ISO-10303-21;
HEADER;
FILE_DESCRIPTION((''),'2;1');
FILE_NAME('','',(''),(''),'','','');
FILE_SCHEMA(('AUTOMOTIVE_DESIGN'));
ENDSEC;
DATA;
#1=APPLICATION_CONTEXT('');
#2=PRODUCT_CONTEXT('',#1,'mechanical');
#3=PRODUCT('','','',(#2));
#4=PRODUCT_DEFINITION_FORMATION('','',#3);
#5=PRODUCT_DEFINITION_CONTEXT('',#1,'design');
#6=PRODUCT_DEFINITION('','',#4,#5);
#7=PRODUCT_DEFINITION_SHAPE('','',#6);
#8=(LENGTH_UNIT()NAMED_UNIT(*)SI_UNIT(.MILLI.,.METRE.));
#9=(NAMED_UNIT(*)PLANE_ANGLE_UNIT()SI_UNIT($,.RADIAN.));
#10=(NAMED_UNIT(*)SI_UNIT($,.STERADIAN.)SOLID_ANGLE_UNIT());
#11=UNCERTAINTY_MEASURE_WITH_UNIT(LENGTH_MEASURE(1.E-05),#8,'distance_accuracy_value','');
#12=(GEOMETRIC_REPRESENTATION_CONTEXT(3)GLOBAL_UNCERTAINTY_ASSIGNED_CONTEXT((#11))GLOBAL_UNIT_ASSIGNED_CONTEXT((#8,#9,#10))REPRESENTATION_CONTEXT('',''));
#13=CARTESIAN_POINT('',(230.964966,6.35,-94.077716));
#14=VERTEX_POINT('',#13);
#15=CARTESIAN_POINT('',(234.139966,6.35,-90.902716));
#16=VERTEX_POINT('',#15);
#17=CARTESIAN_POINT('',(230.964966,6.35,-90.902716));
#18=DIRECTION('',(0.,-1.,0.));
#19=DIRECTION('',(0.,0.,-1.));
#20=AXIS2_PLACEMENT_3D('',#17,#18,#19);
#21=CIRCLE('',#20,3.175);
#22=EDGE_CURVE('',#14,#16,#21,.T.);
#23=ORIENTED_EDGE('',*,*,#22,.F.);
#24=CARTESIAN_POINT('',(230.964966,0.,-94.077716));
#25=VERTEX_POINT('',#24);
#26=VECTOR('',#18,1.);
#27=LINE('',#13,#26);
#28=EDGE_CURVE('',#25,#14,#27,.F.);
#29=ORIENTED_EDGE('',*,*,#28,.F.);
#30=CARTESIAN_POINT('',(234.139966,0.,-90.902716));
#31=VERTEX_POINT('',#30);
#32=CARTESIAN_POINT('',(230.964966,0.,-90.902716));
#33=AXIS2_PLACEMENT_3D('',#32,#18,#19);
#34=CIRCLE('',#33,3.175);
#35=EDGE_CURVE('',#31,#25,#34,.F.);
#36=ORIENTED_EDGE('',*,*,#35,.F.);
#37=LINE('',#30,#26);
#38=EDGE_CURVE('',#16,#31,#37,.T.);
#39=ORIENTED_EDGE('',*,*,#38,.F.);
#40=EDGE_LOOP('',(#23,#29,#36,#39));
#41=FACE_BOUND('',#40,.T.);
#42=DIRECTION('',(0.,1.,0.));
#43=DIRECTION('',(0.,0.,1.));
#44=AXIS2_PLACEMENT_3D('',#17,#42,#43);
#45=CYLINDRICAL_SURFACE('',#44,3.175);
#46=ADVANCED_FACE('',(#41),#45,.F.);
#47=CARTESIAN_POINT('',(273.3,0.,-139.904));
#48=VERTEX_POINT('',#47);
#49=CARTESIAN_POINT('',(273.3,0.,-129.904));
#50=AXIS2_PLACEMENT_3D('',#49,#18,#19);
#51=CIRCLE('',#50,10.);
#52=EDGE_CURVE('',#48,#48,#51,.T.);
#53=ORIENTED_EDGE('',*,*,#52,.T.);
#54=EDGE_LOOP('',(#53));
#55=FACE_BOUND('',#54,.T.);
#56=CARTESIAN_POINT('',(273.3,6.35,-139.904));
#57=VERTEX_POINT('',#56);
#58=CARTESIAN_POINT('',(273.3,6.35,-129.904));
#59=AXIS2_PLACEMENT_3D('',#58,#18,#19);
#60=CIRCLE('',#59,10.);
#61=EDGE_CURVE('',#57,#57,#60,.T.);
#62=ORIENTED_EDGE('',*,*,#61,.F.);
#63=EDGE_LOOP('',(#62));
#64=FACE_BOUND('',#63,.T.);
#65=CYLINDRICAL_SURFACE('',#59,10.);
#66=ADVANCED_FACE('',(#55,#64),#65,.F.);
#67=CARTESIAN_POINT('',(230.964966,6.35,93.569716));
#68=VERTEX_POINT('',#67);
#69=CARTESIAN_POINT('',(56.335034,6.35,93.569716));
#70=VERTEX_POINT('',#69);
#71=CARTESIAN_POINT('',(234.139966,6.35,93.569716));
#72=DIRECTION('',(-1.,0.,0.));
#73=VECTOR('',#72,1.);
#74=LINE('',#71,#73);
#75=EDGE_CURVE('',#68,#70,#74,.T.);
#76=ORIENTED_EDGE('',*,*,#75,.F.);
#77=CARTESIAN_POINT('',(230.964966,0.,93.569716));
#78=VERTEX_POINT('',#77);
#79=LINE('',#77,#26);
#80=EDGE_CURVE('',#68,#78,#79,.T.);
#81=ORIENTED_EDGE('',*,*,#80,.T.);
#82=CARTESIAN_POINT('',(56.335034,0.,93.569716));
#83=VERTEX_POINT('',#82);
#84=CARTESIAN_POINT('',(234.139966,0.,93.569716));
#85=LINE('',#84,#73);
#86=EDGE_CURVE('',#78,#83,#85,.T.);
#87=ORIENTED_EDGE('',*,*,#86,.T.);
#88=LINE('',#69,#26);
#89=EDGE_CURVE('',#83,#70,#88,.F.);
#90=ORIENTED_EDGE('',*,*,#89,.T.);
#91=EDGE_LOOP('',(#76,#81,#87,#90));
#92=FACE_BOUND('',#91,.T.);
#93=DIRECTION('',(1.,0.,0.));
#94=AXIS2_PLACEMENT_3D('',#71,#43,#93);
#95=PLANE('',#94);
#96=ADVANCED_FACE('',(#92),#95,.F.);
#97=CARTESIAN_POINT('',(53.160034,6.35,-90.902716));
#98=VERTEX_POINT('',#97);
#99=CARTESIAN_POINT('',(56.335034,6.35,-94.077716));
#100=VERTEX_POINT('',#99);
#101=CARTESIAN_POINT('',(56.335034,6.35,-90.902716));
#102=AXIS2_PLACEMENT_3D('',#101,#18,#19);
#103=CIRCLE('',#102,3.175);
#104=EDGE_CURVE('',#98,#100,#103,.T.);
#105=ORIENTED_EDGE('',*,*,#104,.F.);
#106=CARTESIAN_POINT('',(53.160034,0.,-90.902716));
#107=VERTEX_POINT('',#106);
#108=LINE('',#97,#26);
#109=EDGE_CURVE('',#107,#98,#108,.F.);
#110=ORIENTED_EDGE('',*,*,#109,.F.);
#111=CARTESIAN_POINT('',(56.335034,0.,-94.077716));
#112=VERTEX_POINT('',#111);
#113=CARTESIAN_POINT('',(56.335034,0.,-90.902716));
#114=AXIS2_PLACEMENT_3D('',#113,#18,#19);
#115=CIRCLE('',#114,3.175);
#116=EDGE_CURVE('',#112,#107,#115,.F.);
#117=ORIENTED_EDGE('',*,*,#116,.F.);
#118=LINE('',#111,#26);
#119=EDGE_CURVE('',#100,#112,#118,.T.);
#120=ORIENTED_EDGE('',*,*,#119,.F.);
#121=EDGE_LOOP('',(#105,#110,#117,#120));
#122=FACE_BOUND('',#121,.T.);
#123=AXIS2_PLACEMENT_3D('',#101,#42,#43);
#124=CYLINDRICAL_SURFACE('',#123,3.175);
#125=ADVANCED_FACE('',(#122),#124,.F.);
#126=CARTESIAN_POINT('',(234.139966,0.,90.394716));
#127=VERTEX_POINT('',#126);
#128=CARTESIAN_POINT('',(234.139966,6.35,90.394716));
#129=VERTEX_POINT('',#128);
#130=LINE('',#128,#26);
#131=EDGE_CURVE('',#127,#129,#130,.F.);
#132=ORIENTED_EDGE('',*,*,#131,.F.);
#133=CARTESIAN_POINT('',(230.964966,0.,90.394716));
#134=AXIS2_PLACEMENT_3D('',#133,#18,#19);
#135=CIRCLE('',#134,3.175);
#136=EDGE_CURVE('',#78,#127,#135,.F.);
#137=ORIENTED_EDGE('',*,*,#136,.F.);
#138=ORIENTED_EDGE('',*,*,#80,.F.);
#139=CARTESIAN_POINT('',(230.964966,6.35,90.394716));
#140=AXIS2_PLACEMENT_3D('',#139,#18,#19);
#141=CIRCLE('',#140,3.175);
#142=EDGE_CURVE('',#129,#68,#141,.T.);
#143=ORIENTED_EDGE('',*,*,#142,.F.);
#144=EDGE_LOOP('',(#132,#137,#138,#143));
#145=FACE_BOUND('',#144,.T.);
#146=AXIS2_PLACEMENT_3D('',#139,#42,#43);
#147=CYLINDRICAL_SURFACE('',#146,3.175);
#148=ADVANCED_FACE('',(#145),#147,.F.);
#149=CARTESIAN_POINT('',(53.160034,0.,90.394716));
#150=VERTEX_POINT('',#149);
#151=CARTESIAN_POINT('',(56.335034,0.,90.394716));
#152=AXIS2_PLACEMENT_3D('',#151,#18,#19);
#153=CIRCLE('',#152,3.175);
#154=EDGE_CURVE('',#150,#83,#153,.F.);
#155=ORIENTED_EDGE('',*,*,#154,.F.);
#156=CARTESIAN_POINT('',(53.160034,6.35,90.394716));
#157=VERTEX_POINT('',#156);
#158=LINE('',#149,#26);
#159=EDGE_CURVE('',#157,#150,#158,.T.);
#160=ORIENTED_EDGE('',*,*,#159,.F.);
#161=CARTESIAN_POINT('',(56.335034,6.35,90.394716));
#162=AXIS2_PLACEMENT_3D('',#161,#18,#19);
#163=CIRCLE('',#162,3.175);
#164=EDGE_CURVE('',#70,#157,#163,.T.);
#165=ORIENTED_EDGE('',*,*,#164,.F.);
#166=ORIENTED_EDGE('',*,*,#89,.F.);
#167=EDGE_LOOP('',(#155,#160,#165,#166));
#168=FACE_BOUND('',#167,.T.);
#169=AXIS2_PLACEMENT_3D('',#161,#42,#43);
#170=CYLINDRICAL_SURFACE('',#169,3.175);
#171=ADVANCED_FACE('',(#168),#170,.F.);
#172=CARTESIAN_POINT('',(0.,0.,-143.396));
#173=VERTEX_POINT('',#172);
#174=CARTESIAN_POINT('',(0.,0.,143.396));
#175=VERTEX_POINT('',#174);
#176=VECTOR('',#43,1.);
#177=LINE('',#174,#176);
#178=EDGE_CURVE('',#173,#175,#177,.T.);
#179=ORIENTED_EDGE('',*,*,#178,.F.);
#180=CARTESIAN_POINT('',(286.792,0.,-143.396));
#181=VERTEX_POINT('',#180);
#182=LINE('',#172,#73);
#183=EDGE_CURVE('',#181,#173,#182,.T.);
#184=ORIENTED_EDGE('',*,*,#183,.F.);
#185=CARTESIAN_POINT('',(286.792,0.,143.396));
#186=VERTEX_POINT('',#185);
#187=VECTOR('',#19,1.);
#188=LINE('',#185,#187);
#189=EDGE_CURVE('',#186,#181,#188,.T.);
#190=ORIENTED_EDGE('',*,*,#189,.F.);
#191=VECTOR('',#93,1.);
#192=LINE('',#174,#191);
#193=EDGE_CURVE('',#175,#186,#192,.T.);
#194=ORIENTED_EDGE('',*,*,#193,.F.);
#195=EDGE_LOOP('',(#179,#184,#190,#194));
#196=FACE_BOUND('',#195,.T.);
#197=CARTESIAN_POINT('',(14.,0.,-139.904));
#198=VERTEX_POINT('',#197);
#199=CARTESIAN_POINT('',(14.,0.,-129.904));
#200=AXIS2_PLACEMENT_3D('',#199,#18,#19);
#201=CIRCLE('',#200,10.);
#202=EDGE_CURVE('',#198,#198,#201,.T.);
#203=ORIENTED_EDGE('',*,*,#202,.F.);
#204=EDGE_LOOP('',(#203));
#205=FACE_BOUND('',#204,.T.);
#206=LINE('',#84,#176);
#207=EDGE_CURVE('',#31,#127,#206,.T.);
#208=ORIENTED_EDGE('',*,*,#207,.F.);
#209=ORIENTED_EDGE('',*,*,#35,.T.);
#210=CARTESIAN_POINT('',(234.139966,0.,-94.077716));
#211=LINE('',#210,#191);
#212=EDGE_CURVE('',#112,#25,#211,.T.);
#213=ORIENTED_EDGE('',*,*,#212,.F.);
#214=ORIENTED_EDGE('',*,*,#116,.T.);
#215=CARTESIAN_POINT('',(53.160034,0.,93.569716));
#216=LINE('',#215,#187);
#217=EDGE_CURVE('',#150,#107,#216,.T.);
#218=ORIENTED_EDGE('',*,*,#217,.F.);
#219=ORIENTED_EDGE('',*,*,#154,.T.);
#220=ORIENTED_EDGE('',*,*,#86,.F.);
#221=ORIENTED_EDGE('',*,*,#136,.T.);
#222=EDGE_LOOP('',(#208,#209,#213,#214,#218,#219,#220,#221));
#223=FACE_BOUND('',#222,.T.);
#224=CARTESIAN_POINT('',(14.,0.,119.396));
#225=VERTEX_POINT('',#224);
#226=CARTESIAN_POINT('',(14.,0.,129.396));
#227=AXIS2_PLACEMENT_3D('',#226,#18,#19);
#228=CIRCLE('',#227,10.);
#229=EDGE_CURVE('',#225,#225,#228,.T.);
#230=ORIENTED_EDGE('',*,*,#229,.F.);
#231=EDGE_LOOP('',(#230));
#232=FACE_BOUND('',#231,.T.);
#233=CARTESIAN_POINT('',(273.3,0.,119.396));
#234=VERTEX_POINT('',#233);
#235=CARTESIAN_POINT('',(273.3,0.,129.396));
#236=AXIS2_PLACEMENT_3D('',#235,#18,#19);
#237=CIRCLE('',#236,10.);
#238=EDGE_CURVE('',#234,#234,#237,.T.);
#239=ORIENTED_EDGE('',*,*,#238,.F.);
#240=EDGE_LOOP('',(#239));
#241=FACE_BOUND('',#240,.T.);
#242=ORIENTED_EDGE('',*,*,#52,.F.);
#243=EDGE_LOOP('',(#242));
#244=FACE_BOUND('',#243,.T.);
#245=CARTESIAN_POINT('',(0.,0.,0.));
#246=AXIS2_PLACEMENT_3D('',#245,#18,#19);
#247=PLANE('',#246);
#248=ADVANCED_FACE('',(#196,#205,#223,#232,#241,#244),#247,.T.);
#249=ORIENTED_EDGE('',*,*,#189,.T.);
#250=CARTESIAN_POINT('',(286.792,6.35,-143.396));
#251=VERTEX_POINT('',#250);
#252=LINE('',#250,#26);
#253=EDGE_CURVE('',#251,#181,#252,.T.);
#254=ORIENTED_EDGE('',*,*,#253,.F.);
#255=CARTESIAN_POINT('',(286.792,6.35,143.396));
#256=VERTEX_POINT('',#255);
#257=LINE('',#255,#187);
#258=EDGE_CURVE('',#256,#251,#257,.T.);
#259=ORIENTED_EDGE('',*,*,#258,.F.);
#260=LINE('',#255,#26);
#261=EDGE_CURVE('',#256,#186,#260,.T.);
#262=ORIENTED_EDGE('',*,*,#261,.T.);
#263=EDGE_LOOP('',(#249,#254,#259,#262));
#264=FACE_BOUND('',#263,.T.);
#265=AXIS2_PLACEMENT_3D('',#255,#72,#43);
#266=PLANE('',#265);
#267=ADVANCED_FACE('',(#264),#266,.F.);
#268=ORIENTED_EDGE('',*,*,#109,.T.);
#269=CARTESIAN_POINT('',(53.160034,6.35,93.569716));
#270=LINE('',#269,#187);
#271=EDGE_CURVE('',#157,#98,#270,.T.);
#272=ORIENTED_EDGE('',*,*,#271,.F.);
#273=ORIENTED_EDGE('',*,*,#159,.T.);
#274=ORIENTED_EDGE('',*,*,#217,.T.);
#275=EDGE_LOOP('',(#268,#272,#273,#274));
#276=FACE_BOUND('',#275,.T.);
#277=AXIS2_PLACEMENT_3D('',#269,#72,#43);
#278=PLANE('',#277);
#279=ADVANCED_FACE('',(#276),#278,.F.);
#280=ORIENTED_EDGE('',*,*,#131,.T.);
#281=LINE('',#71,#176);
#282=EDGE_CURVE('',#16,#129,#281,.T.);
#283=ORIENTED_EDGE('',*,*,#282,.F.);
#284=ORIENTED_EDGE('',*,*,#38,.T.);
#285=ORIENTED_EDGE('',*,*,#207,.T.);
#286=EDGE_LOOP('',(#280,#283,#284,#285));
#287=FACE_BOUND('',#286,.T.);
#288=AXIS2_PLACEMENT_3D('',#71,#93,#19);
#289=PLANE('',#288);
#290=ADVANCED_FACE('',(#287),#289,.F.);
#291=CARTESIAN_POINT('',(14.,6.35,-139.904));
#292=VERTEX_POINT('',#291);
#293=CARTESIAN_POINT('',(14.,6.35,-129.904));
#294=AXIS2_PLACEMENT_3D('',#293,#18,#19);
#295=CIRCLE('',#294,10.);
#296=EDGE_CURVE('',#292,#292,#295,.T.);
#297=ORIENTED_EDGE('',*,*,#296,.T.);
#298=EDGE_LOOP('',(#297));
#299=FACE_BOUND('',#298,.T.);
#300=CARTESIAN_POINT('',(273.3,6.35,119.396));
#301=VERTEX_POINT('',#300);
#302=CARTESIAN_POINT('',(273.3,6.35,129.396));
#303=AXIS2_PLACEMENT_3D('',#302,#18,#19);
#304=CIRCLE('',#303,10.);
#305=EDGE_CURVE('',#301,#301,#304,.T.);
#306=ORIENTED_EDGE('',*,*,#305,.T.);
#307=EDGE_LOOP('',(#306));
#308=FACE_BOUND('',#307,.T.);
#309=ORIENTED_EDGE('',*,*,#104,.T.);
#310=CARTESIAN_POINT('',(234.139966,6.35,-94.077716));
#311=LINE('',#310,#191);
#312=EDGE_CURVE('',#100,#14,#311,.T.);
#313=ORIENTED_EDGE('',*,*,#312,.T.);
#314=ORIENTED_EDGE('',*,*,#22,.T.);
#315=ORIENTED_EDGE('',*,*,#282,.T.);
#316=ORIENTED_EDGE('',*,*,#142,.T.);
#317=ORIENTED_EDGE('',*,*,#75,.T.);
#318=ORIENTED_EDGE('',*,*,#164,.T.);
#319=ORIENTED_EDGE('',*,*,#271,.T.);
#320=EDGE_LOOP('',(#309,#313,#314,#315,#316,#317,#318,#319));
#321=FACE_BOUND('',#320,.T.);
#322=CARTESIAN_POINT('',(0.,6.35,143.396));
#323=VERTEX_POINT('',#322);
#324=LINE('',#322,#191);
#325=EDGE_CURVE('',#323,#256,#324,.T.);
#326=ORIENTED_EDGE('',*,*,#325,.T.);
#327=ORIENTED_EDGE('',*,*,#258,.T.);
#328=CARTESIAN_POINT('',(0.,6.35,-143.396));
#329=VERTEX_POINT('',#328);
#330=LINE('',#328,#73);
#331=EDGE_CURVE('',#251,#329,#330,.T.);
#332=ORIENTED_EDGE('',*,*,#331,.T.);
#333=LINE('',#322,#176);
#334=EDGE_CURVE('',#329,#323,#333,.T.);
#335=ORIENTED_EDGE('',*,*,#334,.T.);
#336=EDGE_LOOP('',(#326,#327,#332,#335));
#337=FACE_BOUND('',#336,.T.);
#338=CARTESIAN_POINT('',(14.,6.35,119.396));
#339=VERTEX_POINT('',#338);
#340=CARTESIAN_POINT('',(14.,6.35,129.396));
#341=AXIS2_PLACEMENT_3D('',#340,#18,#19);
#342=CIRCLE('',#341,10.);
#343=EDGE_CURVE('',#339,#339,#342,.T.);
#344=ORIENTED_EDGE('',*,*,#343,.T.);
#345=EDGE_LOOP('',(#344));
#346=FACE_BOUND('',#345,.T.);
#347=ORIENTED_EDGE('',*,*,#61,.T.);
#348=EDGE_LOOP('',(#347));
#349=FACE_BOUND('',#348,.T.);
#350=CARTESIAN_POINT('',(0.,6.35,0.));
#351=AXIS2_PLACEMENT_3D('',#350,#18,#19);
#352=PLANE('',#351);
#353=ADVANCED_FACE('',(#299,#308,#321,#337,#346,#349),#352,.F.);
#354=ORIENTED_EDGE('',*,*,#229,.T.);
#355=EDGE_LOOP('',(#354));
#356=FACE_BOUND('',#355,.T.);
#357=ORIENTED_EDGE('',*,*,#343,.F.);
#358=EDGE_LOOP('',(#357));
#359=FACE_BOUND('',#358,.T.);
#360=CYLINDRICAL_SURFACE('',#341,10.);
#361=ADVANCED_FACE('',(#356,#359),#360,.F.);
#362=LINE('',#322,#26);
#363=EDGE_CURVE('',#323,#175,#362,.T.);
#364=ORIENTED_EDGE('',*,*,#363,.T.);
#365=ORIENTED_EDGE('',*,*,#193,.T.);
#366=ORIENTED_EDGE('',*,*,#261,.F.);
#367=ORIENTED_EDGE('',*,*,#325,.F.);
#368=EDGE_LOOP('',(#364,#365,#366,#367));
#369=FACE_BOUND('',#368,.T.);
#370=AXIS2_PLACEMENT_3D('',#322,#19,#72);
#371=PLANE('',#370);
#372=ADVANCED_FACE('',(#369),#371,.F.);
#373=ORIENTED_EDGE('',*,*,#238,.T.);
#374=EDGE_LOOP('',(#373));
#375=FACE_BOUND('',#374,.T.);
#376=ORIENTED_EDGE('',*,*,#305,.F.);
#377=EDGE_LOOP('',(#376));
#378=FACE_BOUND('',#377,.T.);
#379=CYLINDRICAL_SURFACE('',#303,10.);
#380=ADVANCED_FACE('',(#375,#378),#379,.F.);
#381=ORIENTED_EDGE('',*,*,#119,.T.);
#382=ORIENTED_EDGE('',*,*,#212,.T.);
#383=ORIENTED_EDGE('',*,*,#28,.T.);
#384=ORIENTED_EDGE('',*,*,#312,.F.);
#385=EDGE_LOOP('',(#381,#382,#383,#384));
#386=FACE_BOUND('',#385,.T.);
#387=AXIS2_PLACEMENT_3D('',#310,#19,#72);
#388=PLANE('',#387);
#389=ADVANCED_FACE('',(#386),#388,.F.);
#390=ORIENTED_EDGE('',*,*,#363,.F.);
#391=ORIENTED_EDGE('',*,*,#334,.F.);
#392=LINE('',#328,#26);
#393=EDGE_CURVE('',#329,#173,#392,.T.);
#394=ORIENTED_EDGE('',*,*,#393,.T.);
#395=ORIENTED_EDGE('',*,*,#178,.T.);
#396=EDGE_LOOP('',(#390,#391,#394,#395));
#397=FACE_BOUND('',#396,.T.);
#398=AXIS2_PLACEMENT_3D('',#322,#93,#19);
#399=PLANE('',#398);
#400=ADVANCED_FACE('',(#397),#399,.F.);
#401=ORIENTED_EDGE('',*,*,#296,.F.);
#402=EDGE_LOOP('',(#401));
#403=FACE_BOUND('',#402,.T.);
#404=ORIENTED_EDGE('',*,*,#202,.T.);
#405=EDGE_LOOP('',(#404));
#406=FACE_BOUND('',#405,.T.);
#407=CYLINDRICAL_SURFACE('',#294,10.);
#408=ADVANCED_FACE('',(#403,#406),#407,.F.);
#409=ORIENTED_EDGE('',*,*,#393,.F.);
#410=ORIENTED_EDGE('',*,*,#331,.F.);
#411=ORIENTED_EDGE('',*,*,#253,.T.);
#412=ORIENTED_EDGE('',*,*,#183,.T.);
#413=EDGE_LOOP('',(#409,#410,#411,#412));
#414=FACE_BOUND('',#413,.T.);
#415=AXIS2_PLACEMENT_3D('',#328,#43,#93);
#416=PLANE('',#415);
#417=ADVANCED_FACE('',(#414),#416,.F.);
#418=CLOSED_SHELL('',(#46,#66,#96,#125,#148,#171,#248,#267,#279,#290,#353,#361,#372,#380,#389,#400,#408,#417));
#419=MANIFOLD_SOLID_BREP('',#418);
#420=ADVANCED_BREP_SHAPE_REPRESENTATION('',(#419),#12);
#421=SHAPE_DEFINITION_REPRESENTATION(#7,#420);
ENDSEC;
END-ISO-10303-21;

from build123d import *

# Parameters (mm, degrees)
SKETCH1_W           = 286.791999948
SKETCH1_H           = 286.791999948
BOSS_EXTRUDE1_DEPTH = 6.35
SKETCH2_R           = 10
SKETCH2_W           = 180.979932016
SKETCH2_H           = 187.647432016
CUT_EXTRUDE1_DEPTH  = 6.35
FILLET1_R           = 3.175


with BuildPart() as part:
    # Sketch1 → Boss-Extrude1 (new body)
    with BuildSketch(Plane(origin=(0, 0, 0), x_dir=(1, 0, 0), z_dir=(0, 1, 0))):
        with Locations((143.395999974, 0)):
            Rectangle(SKETCH1_W, SKETCH1_H)
    extrude(amount=BOSS_EXTRUDE1_DEPTH)

    # Sketch2 → Cut-Extrude1 (cut)
    with BuildSketch(Plane.XZ):
        with Locations(Location((273.299999948, -129.903999974, 0), (0, 0, 270))):
            Circle(SKETCH2_R)
        with Locations(Location((14, -129.903999974, 0), (0, 0, 270))):
            Circle(SKETCH2_R)
        with Locations(Location((14, 129.395999974, 0), (0, 0, 270))):
            Circle(SKETCH2_R)
        with Locations(Location((273.299999948, 129.395999974, 0), (0, 0, 270))):
            Circle(SKETCH2_R)
        with Locations((143.649999974, -0.254)):
            Rectangle(SKETCH2_W, SKETCH2_H)
    extrude(amount=-CUT_EXTRUDE1_DEPTH, mode=Mode.SUBTRACT)

    # Fillet1
    fillet1_edges = [part.edges().sort_by_distance(p)[0] for p in [
        (53.160033966, 3.175, -94.077716008),
        (53.160033966, 3.175, 93.569716008),
        (234.139965982, 3.175, 93.569716008),
        (234.139965982, 3.175, -94.077716008),
    ]]
    fillet(fillet1_edges, radius=FILLET1_R)


solid = part.part
